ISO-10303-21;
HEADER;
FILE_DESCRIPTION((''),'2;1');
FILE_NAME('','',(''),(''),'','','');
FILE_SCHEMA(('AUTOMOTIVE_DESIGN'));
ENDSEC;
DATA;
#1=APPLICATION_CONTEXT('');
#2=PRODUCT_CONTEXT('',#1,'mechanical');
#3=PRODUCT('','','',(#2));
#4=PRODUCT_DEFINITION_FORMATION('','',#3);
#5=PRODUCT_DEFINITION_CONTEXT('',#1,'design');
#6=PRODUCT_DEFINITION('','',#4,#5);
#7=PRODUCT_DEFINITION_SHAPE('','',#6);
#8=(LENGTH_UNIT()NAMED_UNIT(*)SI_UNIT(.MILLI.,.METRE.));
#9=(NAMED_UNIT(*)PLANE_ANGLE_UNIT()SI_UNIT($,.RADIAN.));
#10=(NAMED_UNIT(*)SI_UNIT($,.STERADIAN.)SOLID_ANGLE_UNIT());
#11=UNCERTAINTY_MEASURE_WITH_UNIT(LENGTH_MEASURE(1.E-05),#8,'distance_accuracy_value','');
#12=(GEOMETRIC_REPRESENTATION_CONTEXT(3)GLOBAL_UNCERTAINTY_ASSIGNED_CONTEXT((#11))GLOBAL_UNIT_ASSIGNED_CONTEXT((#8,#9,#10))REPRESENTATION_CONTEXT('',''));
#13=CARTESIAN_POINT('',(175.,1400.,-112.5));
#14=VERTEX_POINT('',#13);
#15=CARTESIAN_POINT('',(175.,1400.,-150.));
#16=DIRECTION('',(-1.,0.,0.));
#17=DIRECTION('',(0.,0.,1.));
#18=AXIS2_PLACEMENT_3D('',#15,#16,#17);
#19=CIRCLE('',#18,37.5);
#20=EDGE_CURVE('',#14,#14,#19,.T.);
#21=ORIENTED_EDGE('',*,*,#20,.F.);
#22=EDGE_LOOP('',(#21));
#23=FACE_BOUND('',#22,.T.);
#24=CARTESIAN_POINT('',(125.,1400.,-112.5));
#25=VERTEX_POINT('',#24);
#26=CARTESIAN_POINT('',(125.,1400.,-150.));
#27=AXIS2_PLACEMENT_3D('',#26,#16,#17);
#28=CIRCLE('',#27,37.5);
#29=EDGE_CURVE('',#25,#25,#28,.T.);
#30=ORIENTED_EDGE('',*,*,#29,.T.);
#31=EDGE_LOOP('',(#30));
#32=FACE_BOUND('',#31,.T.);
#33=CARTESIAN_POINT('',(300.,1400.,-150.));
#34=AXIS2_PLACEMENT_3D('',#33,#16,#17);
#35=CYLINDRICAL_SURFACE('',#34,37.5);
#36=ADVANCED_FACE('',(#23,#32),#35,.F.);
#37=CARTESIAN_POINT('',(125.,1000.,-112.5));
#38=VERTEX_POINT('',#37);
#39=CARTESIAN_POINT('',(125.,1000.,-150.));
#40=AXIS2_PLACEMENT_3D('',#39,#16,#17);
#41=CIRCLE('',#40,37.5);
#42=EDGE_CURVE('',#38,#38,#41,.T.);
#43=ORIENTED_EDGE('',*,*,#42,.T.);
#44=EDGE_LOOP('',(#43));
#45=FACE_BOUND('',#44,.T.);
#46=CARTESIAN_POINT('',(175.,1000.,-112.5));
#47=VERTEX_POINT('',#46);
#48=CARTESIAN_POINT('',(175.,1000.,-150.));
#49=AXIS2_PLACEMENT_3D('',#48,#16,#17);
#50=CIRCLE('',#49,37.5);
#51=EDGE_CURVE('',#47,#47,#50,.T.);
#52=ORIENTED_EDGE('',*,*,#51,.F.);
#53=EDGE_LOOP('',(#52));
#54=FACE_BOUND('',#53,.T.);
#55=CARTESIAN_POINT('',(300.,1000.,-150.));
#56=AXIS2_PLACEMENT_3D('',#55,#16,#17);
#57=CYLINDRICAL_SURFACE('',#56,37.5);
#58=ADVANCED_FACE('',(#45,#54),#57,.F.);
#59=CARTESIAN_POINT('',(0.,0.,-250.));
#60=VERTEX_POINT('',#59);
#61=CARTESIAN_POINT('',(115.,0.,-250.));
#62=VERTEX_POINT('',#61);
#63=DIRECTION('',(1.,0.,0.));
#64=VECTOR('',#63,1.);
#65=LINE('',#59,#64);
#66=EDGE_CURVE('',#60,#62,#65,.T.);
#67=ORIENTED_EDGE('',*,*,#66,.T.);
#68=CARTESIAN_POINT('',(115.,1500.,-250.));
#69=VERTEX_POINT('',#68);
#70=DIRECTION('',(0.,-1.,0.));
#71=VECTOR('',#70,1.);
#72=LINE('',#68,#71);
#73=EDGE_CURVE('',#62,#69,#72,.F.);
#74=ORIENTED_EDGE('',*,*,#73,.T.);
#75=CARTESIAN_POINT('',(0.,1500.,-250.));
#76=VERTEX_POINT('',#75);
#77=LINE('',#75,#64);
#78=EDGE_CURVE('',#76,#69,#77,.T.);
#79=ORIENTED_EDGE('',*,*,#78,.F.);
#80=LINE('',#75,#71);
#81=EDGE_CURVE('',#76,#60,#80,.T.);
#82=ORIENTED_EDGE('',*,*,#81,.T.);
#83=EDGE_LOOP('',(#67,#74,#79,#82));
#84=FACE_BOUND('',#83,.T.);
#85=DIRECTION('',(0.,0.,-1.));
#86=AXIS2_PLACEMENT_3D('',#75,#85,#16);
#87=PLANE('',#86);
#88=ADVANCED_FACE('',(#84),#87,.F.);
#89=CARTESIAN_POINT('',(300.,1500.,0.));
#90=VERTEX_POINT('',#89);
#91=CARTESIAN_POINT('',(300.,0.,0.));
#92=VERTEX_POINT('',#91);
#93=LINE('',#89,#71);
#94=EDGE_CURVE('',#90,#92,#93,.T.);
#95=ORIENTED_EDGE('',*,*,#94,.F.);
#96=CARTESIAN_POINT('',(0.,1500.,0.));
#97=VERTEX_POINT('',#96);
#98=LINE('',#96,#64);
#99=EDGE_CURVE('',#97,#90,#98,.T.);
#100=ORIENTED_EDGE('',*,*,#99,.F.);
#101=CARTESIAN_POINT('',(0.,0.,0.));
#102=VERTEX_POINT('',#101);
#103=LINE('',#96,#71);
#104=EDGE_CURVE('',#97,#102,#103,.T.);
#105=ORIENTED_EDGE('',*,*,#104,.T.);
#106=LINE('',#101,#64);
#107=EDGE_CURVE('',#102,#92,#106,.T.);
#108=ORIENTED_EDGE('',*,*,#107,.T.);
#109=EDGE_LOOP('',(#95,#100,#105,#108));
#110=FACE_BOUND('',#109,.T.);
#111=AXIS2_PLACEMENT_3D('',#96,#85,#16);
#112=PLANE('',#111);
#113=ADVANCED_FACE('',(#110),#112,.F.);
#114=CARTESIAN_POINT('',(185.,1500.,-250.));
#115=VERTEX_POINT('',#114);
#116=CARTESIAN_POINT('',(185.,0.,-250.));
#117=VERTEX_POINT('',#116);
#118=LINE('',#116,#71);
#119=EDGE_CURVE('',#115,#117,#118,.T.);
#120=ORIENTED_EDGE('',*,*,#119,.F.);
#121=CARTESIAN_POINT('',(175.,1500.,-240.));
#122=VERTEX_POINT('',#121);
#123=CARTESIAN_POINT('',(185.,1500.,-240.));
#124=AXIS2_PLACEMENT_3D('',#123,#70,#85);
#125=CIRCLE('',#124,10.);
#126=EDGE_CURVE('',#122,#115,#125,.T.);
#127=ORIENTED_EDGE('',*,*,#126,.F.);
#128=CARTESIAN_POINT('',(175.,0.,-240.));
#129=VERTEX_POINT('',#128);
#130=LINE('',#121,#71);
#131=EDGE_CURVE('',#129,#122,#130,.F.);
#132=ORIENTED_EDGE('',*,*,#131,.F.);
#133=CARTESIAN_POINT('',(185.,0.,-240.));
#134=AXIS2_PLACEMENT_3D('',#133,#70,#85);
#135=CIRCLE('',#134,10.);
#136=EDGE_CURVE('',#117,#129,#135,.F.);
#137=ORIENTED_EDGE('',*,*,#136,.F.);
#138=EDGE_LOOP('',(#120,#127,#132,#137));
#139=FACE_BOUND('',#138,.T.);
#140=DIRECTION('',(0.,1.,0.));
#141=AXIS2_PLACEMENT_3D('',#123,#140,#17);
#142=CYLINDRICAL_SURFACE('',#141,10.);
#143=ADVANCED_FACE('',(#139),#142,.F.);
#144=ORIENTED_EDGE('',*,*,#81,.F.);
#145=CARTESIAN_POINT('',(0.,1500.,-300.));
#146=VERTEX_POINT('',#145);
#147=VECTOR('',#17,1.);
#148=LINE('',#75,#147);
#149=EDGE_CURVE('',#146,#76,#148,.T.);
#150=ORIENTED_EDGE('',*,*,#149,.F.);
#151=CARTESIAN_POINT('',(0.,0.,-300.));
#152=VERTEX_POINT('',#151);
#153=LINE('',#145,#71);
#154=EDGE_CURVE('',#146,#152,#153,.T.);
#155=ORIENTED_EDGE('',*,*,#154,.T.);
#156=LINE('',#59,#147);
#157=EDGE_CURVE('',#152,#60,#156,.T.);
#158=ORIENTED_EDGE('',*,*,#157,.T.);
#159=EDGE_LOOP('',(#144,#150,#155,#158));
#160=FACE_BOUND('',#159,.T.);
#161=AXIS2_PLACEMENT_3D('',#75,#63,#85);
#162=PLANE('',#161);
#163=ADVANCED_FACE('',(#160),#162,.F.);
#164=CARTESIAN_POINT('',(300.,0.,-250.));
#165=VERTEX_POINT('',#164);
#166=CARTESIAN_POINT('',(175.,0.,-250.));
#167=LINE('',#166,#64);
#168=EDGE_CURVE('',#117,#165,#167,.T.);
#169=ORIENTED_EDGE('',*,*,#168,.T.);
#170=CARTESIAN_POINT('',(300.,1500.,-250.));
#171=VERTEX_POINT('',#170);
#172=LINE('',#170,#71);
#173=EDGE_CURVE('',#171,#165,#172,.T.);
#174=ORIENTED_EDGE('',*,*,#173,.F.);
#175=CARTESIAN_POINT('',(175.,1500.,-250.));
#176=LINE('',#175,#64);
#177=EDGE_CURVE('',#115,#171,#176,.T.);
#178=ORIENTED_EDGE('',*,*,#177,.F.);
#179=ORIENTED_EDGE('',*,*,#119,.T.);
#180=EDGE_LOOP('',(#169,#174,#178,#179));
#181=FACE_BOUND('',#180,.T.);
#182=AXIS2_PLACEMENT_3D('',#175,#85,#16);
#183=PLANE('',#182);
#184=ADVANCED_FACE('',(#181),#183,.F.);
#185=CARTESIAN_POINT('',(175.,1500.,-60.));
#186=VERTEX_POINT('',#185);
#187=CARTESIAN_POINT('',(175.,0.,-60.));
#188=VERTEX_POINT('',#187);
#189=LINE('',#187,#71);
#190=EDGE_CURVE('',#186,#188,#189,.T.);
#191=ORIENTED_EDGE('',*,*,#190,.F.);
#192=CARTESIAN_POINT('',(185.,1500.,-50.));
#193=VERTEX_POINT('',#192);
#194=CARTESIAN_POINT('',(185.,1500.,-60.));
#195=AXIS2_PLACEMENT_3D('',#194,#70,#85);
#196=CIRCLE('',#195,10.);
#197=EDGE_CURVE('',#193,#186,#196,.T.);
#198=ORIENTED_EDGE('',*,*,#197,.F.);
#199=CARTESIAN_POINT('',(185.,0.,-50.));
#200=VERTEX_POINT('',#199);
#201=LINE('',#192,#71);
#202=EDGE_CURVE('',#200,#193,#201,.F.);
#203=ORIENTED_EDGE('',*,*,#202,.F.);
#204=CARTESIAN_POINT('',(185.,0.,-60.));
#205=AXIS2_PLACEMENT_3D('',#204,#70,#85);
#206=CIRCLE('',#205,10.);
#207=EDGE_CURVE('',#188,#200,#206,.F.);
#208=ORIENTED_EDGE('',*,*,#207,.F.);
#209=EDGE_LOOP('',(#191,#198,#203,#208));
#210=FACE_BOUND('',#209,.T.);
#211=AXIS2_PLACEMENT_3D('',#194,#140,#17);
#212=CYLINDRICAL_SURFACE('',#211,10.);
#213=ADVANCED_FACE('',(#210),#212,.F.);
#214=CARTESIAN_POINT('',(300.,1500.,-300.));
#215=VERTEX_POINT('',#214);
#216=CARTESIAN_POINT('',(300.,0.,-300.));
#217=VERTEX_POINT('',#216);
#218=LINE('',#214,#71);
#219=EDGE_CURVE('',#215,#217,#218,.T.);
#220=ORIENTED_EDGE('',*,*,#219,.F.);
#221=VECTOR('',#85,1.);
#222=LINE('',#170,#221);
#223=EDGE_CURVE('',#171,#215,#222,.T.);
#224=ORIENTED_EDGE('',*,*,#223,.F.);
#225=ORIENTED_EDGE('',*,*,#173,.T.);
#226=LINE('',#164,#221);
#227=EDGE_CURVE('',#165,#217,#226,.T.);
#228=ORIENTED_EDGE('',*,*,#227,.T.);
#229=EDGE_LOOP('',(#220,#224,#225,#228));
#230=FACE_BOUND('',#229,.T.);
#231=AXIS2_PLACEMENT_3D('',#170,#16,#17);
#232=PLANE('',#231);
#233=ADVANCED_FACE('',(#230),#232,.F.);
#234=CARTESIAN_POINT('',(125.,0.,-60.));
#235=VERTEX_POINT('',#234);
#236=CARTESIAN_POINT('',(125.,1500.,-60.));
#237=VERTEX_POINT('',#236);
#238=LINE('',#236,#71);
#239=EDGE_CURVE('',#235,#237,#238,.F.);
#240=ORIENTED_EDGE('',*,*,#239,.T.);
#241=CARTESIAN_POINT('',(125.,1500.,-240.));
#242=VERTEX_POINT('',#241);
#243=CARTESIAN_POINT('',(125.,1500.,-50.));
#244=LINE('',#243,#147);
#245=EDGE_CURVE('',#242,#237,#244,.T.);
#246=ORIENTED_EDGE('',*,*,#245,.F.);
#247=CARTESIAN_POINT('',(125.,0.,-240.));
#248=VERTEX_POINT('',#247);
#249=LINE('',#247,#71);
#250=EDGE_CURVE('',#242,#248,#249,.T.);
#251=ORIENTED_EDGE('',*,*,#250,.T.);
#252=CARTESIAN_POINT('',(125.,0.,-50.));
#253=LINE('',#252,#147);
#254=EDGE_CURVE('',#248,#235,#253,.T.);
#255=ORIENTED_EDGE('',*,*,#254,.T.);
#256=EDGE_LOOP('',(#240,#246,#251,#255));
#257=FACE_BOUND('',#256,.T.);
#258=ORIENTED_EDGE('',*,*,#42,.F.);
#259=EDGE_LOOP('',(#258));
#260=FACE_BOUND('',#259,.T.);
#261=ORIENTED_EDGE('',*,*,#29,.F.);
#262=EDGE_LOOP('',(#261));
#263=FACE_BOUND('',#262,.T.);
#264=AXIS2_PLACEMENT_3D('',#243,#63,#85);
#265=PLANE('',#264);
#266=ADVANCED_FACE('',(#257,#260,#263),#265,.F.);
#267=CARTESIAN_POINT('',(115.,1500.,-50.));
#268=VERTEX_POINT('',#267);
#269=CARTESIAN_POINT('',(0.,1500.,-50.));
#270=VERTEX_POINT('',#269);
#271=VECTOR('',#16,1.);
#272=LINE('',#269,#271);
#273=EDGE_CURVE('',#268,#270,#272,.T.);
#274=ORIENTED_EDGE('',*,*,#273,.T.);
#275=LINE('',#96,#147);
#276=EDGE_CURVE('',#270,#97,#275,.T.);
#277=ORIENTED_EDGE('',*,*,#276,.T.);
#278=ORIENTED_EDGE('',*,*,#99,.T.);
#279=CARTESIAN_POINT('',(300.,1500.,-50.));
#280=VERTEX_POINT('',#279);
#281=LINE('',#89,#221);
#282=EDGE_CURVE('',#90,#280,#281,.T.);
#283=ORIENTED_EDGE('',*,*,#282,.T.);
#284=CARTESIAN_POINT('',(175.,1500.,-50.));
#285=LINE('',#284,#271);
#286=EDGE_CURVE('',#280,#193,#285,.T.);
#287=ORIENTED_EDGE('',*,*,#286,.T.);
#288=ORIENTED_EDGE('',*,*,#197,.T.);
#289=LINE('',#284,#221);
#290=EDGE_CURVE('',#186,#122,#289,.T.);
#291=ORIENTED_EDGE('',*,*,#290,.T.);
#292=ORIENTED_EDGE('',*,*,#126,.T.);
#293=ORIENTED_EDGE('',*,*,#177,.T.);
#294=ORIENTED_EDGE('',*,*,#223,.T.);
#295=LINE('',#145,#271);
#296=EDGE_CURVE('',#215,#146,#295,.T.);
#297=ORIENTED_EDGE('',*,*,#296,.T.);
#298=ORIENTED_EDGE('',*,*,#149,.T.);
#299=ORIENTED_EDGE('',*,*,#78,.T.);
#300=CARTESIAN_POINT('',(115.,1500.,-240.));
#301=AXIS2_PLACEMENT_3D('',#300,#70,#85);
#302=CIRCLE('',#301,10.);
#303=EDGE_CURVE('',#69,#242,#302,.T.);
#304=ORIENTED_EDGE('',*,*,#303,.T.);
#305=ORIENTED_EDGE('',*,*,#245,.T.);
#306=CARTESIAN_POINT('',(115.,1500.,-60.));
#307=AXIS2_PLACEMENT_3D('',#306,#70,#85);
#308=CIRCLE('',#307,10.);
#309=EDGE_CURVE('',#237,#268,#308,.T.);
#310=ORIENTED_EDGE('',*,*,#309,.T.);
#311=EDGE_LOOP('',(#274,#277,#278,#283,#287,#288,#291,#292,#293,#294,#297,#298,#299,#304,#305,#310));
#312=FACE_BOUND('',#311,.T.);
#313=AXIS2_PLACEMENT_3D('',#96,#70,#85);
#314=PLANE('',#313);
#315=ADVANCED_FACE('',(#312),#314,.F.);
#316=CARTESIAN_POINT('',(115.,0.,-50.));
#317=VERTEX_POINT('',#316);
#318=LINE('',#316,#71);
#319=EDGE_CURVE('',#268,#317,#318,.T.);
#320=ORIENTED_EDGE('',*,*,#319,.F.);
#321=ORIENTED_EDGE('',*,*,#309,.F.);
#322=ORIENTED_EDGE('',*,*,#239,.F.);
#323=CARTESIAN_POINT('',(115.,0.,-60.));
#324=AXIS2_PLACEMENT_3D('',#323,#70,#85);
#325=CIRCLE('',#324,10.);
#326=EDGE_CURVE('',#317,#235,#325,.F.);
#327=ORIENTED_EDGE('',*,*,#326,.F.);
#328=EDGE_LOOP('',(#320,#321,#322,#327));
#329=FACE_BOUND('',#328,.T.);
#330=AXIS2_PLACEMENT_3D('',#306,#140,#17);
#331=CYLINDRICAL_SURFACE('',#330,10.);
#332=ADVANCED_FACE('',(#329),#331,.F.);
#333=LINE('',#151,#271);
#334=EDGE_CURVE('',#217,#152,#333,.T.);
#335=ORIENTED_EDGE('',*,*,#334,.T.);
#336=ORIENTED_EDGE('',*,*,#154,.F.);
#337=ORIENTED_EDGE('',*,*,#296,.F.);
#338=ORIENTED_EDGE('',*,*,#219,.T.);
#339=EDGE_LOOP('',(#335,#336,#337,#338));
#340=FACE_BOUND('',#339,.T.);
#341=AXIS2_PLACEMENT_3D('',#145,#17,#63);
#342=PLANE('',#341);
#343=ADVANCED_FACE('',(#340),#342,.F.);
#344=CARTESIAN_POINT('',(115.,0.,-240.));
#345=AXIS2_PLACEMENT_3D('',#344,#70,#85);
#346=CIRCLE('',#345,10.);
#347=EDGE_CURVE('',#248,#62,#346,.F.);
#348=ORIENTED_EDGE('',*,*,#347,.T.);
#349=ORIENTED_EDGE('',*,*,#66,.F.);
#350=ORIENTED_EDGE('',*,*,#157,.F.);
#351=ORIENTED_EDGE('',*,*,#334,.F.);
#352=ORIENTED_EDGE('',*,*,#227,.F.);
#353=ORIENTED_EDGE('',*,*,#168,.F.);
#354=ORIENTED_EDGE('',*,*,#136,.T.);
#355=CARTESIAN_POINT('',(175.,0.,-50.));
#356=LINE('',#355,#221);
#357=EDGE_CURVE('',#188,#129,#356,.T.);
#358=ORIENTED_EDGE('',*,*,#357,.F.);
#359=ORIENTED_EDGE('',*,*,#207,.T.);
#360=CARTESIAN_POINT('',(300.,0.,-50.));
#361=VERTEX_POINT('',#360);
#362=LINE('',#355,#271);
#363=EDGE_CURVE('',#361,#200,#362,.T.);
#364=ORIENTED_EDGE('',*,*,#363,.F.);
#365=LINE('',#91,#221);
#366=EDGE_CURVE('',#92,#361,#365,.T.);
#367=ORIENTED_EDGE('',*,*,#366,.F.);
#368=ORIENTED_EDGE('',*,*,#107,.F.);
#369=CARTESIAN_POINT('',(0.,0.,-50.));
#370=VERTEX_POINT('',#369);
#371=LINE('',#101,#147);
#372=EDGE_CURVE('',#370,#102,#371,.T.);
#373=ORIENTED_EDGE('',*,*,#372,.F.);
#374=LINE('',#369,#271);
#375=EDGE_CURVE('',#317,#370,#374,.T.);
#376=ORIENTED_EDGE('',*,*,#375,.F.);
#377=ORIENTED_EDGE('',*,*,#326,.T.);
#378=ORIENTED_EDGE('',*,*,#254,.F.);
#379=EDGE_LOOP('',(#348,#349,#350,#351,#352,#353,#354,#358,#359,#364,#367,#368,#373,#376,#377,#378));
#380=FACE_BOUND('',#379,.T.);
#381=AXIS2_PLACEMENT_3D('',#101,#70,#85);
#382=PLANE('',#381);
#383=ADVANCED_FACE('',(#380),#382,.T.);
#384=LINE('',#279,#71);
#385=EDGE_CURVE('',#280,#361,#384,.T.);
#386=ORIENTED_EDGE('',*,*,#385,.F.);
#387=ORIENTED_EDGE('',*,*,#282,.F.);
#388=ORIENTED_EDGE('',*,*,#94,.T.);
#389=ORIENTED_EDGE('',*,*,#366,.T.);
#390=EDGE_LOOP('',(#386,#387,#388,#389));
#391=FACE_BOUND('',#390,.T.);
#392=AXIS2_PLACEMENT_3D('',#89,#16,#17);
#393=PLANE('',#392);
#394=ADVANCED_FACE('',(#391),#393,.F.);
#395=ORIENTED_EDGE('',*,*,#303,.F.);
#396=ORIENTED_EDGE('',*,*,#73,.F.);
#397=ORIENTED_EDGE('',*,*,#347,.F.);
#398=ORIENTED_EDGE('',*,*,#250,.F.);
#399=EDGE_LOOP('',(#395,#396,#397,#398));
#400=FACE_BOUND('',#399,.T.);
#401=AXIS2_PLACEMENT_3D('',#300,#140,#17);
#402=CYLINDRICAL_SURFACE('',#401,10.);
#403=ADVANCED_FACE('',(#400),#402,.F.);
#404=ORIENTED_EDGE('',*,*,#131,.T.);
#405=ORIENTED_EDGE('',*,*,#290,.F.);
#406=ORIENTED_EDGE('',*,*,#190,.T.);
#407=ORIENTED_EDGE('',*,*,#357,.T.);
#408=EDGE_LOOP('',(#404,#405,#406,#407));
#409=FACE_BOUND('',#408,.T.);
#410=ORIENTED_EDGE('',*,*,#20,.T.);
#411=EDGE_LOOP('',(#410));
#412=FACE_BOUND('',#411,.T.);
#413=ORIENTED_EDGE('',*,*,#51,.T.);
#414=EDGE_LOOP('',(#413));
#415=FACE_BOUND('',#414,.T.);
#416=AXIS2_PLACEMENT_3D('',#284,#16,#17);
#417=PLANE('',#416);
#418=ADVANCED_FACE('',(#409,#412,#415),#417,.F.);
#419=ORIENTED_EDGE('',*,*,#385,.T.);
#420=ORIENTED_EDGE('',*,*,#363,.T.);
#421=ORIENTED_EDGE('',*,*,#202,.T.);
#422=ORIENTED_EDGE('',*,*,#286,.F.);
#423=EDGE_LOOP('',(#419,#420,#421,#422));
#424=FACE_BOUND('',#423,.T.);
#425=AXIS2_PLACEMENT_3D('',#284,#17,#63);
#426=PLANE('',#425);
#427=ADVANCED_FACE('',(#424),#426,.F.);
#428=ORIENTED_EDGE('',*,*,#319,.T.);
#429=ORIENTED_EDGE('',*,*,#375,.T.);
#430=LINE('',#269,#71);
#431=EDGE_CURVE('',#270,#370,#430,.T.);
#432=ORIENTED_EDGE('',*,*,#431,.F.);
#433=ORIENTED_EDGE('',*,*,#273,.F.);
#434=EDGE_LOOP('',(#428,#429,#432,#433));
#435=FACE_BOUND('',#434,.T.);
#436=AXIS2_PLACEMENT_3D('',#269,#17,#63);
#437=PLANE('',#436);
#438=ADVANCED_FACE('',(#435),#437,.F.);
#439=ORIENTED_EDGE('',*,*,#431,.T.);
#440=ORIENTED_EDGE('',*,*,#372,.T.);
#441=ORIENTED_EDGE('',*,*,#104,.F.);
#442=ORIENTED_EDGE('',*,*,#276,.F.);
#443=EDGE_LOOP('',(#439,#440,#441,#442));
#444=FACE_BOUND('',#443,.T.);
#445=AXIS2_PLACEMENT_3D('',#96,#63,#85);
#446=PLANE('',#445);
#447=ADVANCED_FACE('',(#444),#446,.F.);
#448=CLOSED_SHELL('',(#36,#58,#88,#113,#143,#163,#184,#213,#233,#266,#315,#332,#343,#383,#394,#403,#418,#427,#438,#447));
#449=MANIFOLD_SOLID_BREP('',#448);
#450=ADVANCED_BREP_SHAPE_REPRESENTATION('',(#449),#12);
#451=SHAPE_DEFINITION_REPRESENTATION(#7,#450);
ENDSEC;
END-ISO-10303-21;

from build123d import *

# Parameters (mm, degrees)
BOSS_EXTRUDE1_DEPTH = 1500
FILLET1_R           = 10
SKETCH2_R           = 37.5
CUT_EXTRUDE1_DEPTH  = 1540.683409016


with BuildPart() as part:
    # Sketch1 → Boss-Extrude1 (new body)
    with BuildSketch(Plane(origin=(0, 0, 0), x_dir=(1, 0, 0), z_dir=(0, 1, 0))):
        Polygon((175, 50), (300, 50), (300, 0), (0, 0), (0, 50), (125, 50), (125, 250), (0, 250), (0, 300), (300, 300), (300, 250), (175, 250), align=None)
    extrude(amount=BOSS_EXTRUDE1_DEPTH)

    # Fillet1
    fillet1_edges = [part.edges().sort_by_distance(p)[0] for p in [
        (125, 750, -50),
        (125, 750, -250),
        (175, 750, -250),
        (175, 750, -50),
    ]]
    fillet(fillet1_edges, radius=FILLET1_R)

    # Sketch2 → Cut-Extrude1 (cut, through all)
    with BuildSketch(Plane.ZY.offset(-125)):
        with Locations((-150, 1400)):
            Circle(SKETCH2_R)
        with Locations((-150, 1000)):
            Circle(SKETCH2_R)
    extrude(amount=-CUT_EXTRUDE1_DEPTH, mode=Mode.SUBTRACT)


solid = part.part
